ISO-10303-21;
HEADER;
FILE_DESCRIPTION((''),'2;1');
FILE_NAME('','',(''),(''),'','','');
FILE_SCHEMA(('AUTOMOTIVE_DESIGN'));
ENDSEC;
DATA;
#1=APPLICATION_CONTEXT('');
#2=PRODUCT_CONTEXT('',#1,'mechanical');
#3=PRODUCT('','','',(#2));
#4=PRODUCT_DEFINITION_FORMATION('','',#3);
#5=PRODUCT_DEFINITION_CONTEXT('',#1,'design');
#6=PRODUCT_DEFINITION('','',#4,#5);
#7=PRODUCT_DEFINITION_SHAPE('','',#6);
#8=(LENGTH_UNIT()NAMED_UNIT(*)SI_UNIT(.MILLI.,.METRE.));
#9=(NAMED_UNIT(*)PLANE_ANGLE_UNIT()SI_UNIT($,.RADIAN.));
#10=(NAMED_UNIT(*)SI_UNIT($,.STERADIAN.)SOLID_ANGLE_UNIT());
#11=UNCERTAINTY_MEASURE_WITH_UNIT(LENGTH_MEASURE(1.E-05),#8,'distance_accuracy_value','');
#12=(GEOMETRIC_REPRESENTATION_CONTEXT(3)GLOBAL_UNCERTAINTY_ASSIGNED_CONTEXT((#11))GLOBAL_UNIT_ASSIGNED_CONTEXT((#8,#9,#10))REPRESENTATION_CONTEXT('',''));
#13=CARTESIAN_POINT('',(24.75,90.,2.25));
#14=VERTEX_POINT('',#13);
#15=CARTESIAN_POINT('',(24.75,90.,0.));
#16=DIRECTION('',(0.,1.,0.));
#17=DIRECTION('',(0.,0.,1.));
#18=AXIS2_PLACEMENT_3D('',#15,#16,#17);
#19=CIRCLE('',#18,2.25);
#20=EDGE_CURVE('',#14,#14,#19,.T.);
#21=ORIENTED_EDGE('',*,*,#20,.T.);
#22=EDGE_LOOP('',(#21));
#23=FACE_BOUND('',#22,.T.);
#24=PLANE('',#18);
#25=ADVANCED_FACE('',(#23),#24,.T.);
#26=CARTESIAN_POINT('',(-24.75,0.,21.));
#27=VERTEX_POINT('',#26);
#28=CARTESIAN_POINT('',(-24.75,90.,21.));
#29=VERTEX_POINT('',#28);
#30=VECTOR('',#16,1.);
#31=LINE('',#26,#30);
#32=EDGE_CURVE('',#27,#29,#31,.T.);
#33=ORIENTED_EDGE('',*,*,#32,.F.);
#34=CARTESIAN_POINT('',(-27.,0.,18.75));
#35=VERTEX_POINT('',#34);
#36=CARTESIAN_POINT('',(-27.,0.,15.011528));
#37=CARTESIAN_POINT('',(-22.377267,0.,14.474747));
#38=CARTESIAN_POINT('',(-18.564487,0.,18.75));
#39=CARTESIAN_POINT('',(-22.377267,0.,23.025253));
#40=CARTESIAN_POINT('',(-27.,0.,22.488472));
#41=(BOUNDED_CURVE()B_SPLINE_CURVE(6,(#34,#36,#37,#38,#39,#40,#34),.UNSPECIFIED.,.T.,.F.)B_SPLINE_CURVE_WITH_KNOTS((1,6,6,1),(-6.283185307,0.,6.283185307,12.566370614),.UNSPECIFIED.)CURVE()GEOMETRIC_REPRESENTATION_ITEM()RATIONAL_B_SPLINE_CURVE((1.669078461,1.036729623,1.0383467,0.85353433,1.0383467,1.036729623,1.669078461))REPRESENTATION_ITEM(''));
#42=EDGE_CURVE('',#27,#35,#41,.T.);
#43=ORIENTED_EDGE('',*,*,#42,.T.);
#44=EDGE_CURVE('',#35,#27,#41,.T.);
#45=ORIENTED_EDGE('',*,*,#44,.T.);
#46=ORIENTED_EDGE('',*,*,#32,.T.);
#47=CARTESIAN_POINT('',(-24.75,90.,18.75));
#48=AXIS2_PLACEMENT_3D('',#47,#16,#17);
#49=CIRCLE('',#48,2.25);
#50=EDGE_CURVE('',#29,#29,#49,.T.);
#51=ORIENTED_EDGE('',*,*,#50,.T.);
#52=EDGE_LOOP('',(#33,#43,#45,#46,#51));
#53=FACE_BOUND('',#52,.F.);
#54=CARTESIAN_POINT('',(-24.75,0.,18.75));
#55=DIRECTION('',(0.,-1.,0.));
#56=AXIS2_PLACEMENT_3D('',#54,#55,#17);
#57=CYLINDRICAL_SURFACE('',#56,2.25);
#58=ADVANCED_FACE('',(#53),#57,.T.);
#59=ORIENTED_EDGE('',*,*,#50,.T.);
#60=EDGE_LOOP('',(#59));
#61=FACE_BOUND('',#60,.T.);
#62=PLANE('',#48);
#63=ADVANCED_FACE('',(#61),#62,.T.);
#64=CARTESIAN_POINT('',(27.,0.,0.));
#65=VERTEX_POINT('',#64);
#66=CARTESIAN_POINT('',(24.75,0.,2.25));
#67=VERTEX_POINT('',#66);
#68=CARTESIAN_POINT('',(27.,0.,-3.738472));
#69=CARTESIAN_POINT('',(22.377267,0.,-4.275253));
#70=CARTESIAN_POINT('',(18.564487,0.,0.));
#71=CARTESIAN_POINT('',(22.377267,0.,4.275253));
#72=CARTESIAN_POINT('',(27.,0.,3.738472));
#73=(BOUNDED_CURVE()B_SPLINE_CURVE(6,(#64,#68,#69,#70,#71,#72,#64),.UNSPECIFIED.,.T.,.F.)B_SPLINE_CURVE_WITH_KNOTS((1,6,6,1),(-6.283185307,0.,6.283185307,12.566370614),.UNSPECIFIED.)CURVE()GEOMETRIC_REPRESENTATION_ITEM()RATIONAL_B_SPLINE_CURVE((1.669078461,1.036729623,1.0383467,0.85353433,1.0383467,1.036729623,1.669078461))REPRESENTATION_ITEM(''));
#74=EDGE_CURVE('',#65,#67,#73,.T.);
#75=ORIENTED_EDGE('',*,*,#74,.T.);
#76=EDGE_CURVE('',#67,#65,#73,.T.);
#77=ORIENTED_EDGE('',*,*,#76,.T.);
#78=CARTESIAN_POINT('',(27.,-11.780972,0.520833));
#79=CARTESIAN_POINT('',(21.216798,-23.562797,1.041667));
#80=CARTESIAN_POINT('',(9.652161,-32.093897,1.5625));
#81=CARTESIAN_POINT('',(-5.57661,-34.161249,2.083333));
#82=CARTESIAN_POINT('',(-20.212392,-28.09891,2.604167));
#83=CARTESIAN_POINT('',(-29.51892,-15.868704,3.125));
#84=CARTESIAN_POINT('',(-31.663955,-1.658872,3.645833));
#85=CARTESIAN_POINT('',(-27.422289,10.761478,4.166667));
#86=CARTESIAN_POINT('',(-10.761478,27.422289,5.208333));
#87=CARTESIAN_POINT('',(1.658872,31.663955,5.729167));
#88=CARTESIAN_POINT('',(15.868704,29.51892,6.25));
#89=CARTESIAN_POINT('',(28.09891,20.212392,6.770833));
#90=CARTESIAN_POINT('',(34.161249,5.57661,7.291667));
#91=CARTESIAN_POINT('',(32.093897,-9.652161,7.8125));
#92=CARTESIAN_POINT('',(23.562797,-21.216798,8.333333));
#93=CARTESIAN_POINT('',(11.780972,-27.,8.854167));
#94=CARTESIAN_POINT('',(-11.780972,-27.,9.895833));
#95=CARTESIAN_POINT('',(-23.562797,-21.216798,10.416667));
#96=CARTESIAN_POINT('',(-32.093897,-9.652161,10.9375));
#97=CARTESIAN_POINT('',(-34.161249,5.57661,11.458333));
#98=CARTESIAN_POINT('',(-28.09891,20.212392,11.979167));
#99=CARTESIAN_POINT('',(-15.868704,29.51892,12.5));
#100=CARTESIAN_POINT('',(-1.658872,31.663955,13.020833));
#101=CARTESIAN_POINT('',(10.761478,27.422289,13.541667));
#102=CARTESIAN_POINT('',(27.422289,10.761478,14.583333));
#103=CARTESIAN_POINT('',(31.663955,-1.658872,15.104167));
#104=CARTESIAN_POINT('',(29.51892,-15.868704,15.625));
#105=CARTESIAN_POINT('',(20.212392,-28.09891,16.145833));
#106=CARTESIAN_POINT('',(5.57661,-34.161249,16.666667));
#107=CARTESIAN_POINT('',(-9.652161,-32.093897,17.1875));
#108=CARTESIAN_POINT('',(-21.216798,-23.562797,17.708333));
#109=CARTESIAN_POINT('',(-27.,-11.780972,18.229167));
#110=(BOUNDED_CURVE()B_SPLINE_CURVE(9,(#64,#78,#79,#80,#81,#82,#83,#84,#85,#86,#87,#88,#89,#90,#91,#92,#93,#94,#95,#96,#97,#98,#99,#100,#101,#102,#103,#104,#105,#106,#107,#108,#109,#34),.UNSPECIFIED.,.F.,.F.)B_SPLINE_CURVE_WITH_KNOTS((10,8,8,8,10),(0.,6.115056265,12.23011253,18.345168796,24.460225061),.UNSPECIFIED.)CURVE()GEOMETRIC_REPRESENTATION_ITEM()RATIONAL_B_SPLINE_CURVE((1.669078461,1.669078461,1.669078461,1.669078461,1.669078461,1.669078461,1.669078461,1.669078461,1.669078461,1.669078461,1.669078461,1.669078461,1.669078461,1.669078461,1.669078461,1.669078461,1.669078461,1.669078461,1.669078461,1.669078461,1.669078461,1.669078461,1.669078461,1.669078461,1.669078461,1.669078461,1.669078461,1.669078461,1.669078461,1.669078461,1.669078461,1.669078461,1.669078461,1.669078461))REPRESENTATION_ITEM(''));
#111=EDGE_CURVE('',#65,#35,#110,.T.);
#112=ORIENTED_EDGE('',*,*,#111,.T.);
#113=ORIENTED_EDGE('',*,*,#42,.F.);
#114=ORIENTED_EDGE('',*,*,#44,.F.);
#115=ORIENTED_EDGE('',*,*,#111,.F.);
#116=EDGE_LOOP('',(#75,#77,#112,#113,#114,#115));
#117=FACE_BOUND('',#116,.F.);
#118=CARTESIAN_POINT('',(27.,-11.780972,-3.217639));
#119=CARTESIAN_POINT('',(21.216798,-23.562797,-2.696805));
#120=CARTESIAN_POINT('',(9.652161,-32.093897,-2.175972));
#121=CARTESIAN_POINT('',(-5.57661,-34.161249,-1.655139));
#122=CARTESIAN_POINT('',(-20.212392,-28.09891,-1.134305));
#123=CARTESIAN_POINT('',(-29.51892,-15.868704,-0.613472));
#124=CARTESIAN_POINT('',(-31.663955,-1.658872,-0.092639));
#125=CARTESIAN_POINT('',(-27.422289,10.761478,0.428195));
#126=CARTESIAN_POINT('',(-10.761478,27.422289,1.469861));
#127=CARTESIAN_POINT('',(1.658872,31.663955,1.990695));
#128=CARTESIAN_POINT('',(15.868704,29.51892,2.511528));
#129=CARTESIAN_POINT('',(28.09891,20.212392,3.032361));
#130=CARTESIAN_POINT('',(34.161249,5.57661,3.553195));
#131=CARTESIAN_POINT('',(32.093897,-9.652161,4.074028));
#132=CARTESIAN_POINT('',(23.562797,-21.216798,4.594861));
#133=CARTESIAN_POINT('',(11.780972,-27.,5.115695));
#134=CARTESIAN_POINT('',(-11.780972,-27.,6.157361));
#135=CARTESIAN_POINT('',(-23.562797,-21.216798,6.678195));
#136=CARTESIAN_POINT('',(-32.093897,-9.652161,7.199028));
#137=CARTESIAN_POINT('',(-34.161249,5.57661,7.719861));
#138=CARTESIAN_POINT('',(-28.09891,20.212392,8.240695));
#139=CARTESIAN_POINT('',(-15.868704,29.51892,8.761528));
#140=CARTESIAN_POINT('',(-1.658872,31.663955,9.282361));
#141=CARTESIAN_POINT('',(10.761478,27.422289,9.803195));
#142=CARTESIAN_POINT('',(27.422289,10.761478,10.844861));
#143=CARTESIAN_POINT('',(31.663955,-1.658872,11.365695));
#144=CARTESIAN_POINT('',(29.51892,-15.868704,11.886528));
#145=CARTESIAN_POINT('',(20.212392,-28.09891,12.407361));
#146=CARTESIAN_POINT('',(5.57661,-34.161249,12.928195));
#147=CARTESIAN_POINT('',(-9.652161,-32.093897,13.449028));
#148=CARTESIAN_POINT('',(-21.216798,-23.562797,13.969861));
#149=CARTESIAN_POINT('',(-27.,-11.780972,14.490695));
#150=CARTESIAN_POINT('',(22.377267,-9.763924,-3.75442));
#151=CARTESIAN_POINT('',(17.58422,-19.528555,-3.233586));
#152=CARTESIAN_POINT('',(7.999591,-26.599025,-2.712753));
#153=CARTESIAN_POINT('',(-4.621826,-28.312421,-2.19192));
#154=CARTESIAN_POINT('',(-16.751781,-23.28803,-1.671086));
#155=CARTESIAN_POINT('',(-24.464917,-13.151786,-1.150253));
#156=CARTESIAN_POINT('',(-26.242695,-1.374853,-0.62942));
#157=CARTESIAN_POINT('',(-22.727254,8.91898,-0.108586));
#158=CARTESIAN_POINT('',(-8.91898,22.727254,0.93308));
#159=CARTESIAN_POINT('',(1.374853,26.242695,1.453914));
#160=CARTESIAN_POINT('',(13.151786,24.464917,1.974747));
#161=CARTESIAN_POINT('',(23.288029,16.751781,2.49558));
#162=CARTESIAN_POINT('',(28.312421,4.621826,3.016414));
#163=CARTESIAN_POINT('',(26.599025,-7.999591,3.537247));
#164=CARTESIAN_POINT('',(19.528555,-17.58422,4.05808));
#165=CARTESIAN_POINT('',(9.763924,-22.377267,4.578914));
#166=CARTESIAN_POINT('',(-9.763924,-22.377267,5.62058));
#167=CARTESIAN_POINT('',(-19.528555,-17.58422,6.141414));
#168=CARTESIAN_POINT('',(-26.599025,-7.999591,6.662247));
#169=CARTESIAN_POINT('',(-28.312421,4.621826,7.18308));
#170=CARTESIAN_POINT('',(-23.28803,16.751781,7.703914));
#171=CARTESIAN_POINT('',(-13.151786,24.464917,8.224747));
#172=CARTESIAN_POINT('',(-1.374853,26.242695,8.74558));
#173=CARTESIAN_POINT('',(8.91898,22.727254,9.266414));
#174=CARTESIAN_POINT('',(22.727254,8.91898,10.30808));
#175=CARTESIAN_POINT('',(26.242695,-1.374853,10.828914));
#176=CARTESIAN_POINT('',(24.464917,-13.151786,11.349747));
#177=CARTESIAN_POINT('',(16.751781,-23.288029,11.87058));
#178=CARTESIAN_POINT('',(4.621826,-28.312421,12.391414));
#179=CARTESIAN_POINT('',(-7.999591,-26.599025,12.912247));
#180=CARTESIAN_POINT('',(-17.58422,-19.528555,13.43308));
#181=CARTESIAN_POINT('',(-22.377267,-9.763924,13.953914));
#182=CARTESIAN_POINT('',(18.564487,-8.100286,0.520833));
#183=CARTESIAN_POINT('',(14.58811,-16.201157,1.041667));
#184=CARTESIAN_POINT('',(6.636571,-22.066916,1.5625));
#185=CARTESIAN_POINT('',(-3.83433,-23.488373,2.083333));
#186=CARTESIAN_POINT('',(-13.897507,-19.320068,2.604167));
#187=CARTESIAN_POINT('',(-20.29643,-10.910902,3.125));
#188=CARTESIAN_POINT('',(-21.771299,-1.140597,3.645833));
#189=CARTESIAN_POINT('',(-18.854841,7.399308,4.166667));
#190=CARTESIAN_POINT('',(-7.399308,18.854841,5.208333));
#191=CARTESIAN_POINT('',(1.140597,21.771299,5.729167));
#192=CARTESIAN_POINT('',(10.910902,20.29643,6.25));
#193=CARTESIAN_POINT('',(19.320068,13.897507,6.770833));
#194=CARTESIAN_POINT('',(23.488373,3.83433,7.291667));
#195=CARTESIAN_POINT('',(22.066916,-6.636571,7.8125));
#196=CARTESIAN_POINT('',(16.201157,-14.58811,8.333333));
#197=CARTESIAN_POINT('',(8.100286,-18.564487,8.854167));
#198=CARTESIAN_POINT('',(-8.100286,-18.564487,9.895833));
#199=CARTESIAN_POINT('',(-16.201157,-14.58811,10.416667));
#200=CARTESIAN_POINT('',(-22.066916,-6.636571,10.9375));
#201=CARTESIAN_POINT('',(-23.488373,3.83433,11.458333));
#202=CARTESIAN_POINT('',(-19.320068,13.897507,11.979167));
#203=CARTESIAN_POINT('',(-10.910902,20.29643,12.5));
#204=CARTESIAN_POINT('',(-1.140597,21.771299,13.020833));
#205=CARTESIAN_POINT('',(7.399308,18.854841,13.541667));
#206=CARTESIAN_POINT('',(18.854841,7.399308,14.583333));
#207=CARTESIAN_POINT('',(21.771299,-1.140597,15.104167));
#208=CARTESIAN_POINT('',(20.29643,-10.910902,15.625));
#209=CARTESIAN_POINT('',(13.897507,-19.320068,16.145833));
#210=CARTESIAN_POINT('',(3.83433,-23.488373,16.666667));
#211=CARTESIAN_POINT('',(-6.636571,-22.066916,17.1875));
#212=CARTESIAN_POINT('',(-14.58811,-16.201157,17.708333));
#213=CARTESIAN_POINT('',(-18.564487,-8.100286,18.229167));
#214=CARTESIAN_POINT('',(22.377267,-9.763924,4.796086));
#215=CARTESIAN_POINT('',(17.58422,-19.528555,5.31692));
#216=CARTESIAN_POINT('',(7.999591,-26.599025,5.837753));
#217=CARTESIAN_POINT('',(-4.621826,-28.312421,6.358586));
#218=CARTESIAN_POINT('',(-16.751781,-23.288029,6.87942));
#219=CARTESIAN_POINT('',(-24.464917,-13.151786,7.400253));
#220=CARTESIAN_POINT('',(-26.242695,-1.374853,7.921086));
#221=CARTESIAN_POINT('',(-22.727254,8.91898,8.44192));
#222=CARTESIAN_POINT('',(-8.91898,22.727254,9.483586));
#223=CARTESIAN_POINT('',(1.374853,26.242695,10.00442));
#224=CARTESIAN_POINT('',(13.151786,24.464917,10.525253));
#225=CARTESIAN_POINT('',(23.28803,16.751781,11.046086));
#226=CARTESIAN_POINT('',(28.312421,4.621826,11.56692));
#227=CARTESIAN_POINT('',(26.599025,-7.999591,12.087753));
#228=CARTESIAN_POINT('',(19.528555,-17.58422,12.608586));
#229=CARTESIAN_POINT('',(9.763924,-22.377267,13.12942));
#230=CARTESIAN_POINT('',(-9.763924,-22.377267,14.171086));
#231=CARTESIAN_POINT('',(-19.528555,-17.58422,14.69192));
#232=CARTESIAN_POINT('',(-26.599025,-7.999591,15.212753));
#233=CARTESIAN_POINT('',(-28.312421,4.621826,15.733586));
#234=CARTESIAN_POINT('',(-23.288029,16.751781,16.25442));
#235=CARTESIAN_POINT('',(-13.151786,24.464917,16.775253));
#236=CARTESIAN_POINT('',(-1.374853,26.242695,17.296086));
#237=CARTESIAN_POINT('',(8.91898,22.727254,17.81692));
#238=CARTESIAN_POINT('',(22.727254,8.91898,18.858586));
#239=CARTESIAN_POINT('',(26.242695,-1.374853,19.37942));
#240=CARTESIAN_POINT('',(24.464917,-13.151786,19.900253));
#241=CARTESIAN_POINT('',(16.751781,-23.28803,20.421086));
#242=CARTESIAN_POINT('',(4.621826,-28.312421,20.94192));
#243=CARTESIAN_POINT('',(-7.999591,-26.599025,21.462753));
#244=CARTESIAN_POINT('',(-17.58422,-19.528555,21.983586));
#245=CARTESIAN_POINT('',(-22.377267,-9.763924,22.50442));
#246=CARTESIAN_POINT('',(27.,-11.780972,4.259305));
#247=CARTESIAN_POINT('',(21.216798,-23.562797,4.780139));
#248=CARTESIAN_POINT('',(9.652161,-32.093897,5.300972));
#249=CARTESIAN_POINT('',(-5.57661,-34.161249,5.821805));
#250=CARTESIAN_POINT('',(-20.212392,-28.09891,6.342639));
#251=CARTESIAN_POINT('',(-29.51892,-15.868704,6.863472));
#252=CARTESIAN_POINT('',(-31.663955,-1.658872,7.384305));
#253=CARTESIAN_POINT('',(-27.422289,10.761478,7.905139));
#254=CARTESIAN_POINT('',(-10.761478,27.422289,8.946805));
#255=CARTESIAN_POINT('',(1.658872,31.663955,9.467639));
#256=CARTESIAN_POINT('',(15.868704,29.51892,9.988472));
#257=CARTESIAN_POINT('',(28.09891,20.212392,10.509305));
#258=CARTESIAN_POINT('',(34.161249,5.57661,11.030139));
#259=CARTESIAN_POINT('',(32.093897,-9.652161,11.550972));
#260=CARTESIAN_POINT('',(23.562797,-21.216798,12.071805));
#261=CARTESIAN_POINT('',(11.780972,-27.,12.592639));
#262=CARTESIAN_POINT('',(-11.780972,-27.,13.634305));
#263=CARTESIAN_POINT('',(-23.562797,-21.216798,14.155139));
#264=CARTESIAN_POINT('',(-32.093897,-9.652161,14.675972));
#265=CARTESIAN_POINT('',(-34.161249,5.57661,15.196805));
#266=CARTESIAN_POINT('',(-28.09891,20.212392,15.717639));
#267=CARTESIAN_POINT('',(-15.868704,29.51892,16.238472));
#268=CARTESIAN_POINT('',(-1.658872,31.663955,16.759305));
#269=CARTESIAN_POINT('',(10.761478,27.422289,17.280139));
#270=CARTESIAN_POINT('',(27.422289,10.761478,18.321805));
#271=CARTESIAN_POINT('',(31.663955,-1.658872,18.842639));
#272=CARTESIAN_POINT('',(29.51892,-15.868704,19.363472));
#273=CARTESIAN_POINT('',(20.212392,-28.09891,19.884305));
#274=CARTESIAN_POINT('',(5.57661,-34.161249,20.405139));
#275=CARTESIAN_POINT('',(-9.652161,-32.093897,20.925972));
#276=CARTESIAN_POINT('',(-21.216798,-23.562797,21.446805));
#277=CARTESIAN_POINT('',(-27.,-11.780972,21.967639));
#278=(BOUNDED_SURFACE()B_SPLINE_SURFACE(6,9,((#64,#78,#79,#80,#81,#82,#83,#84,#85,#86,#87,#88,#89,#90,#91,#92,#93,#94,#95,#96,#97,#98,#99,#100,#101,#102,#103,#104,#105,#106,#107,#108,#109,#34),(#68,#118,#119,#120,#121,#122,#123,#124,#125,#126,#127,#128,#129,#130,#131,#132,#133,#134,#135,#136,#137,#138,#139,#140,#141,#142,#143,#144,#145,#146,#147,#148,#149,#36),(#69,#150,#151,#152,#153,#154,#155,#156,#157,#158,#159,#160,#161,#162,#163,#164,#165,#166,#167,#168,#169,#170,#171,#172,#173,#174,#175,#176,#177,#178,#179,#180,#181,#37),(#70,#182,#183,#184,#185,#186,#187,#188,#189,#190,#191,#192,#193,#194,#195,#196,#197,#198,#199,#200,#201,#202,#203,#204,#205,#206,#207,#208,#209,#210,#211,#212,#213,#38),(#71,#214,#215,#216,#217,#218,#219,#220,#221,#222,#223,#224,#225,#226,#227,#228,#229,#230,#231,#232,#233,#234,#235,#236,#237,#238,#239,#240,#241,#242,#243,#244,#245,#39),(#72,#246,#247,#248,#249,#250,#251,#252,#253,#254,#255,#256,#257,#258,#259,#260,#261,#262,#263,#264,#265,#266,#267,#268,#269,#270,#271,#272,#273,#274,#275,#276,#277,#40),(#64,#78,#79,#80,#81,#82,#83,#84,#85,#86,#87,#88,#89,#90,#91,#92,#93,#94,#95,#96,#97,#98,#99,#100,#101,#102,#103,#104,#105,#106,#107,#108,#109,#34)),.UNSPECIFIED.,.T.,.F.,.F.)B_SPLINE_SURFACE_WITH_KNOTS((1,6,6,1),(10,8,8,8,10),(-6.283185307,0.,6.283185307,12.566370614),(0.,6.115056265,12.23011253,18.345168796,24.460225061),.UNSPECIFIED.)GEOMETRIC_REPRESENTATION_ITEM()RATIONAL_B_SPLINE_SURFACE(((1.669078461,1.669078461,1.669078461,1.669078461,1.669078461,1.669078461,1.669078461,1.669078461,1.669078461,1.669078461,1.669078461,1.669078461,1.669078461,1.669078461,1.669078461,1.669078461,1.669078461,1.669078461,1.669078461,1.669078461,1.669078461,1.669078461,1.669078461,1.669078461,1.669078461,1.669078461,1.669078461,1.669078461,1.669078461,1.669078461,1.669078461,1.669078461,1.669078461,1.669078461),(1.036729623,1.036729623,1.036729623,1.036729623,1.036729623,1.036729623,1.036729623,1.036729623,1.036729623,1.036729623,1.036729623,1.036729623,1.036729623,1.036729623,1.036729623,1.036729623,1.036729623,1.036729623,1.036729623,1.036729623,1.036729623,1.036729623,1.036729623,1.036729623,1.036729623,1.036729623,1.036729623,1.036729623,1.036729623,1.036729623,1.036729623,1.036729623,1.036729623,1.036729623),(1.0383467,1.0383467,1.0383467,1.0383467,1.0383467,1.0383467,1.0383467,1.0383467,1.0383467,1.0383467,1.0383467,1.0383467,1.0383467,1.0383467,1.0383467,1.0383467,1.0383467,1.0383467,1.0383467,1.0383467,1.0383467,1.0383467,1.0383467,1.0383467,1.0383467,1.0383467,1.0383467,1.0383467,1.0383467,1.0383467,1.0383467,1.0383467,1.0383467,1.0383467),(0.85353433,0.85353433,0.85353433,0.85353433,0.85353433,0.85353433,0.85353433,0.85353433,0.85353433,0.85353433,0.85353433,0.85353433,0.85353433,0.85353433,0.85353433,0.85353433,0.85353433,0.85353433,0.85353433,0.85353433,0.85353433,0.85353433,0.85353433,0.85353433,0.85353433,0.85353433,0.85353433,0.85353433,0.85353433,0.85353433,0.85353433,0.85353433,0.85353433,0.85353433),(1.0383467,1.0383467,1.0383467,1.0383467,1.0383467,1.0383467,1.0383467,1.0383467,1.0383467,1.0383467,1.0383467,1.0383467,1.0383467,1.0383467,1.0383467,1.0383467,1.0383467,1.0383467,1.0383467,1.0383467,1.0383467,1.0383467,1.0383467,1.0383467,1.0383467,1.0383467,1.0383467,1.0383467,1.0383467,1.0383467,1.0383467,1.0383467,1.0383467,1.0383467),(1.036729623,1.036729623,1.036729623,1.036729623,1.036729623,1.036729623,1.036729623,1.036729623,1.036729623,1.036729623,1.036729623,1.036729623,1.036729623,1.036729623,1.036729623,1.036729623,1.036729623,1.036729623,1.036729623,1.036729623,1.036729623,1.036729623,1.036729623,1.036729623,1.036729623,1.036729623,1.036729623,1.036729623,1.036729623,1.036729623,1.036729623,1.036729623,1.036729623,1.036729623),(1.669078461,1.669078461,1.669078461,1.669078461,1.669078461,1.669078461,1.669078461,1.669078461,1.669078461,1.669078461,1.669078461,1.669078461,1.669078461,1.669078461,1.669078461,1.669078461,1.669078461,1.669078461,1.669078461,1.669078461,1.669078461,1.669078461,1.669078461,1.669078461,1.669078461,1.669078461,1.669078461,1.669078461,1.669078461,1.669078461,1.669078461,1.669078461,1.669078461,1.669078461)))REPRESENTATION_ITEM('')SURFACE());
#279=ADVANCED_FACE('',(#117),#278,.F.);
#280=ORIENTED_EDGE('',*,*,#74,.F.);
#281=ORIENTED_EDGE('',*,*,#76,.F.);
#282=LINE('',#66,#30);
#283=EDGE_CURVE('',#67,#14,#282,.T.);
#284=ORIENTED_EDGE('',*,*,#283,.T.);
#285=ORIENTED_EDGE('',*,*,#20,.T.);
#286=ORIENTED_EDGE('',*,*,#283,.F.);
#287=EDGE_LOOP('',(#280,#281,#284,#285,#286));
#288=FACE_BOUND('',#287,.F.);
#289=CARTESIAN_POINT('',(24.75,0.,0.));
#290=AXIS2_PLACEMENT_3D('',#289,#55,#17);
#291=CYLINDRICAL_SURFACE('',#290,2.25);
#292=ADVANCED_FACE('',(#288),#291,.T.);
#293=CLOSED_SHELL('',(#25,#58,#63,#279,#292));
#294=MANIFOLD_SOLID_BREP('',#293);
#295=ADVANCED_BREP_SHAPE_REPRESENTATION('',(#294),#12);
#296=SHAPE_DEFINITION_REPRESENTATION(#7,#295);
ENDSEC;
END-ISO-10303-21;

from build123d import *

# Parameters (mm, degrees)
VARREDURA1_PITCH         = 7.5
VARREDURA1_HEIGHT        = 18.75
VARREDURA1_RADIUS        = 24.75
ESBO_O2_R                = 2.25
ESBO_O2_2_R              = 2.25
RESSALTO_EXTRUS_O3_DEPTH = 90
ESBO_O3_R                = 2.25
RESSALTO_EXTRUS_O8_DEPTH = 90


with BuildPart() as part:
    # Varredura1: sweep along a helix
    with BuildLine() as varredura1_path:
        Helix(VARREDURA1_PITCH, VARREDURA1_HEIGHT, VARREDURA1_RADIUS, center=(0, 0, 0), direction=(0, 0, 1), lefthand=True)
    # Esboço2 → Varredura1 (sweep)
    with BuildSketch(Plane(origin=(0, 0, 0), x_dir=(1, 0, 0), z_dir=(0, 1, 0))):
        with Locations((24.75, 0)):
            Circle(ESBO_O2_R)
    sweep(path=varredura1_path.line, is_frenet=True)

    # Esboço2<2> → Ressalto-extrusão3 (add)
    with BuildSketch(Plane(origin=(0, 0, 0), x_dir=(1, 0, 0), z_dir=(0, 1, 0))):
        with Locations(Location((24.75, 0, 0), (0, 0, 270))):
            Circle(ESBO_O2_2_R)
    extrude(amount=RESSALTO_EXTRUS_O3_DEPTH)

    # Esboço3 → Ressalto-extrusão8 (add)
    with BuildSketch(Plane(origin=(0, 0, 0), x_dir=(1, 0, 0), z_dir=(0, 1, 0))):
        with Locations(Location((-24.75, -18.75, 0), (0, 0, 270))):
            Circle(ESBO_O3_R)
    extrude(amount=RESSALTO_EXTRUS_O8_DEPTH)


solid = part.part
